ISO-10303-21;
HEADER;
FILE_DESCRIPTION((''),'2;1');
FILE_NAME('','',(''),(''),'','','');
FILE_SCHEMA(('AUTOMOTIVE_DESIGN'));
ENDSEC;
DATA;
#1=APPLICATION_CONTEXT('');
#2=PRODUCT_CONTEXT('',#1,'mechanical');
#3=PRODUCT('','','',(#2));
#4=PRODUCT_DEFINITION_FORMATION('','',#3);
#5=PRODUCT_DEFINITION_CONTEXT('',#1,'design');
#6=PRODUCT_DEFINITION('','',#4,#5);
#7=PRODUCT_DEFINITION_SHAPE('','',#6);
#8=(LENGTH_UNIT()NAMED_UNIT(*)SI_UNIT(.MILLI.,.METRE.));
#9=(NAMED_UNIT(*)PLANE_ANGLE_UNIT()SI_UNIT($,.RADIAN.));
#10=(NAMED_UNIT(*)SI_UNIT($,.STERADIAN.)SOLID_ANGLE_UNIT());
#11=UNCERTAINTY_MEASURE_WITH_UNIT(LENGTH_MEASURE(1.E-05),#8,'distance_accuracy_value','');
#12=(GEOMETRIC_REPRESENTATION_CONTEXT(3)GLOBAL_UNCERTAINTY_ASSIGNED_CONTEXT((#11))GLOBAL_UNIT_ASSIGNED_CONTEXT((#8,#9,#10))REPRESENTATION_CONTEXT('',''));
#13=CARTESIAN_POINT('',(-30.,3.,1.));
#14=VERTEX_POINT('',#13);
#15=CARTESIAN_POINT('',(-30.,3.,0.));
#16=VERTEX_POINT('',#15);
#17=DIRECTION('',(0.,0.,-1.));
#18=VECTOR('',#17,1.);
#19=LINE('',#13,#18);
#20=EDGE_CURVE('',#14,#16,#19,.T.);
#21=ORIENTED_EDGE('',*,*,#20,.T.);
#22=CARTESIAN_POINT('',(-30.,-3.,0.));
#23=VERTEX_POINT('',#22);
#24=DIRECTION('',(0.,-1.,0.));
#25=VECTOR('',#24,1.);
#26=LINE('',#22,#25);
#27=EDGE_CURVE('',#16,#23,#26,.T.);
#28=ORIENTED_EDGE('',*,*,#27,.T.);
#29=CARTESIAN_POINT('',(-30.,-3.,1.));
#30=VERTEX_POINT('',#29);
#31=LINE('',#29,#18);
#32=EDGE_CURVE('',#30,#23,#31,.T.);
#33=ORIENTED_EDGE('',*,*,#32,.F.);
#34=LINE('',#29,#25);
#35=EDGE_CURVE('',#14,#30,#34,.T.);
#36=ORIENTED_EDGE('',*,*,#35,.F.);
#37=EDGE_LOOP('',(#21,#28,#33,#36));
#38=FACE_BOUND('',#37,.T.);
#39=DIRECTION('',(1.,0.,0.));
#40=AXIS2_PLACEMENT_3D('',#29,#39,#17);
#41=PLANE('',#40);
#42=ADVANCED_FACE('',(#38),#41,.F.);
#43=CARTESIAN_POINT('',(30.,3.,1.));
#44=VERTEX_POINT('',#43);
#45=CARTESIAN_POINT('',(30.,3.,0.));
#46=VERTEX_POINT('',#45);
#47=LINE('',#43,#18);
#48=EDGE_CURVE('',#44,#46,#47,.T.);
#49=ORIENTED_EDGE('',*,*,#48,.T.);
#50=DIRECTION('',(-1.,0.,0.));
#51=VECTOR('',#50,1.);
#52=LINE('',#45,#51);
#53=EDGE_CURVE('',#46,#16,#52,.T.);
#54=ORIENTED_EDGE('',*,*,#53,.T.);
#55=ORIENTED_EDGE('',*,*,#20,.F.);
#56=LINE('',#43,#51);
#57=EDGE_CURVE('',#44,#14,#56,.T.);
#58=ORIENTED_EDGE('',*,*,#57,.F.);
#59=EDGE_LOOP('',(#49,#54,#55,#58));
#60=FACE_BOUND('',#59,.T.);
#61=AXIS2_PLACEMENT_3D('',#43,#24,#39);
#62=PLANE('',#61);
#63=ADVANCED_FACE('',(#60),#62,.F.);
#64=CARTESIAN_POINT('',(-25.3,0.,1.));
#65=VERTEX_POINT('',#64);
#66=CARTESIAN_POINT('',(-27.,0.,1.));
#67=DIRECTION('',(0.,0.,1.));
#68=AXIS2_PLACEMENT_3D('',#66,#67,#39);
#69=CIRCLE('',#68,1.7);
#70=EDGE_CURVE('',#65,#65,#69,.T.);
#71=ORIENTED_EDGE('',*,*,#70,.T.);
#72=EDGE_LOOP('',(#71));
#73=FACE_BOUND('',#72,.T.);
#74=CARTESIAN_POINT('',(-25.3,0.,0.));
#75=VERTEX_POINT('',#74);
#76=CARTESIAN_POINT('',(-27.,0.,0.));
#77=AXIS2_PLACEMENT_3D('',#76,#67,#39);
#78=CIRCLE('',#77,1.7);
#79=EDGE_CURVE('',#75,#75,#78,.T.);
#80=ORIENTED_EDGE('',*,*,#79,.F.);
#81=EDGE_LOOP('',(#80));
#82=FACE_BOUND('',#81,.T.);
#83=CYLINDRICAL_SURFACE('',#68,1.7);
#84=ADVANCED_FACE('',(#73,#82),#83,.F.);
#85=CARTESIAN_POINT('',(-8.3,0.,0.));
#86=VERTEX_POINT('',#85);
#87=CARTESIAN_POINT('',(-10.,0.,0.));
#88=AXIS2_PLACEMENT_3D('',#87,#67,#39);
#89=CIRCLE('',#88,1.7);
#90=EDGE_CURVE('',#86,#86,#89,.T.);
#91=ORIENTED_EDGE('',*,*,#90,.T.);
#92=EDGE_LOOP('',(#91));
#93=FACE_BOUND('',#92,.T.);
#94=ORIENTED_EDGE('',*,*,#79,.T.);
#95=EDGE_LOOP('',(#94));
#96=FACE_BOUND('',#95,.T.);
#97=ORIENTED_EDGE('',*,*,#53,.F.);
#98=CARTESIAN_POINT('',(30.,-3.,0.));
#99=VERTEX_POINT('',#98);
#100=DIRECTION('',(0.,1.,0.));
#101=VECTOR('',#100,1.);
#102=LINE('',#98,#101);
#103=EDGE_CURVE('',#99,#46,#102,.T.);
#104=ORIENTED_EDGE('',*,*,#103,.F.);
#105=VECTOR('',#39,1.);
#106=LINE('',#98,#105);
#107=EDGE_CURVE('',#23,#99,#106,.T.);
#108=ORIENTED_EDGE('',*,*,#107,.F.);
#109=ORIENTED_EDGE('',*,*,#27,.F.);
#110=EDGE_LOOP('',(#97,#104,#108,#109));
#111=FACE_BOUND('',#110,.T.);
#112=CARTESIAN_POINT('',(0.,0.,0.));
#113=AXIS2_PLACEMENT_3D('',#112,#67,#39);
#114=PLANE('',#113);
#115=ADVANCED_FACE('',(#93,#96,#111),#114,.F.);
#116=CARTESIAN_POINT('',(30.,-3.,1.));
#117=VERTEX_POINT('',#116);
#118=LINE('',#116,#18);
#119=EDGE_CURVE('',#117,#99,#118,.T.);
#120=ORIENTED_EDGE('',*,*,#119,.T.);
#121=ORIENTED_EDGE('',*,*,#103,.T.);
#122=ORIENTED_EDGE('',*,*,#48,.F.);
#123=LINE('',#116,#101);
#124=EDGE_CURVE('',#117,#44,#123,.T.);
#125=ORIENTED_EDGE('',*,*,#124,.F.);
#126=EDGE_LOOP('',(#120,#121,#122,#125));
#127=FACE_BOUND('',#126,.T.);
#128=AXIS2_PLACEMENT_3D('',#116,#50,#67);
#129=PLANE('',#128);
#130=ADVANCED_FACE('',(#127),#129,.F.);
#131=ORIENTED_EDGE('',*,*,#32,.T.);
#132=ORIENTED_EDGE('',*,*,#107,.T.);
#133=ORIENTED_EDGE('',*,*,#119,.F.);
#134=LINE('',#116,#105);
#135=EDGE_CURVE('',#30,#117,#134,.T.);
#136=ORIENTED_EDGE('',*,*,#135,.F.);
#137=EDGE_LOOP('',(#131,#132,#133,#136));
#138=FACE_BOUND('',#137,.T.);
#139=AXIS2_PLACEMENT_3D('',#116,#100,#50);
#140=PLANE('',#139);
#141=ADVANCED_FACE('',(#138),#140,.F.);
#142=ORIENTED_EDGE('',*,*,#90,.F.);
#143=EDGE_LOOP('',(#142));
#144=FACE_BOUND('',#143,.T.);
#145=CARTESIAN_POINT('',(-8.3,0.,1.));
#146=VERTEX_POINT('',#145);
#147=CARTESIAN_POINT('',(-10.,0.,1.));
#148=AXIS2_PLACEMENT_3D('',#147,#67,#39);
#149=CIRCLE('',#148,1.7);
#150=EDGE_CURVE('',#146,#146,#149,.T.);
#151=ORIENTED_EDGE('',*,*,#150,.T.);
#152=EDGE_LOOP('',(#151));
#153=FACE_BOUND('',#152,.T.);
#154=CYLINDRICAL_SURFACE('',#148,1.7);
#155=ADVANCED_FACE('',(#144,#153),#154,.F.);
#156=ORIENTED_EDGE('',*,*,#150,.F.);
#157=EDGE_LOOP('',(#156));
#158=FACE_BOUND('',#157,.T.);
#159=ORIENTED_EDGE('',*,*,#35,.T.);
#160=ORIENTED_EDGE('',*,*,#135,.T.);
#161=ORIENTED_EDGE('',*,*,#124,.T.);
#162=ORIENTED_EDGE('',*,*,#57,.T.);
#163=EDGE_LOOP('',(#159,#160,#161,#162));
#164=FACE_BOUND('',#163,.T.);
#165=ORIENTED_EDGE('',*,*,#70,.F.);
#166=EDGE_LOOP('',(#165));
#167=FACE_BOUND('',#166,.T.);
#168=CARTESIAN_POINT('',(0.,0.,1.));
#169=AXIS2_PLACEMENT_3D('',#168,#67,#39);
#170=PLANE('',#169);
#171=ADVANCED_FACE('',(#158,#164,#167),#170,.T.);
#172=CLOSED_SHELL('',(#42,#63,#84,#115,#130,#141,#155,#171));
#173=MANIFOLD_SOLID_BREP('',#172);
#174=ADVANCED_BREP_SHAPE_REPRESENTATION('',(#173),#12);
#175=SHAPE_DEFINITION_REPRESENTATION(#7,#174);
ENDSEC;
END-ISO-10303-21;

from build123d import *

# Parameters (mm, degrees)
SKETCH1_W            = 60
SKETCH1_H            = 6
BOSS_EXTRUDE1_DEPTH  = 1
M3_CLEARANCE_HOLE1_D = 3.4


with BuildPart() as part:
    # Sketch1 → Boss-Extrude1 (new body)
    with BuildSketch(Plane.XY):
        Rectangle(SKETCH1_W, SKETCH1_H)
    extrude(amount=BOSS_EXTRUDE1_DEPTH)

    # M3 Clearance Hole1 (through all)
    with Locations(Plane.XY.offset(1)):
        with Locations((-27, 0), (-10, 0)):
            Hole(M3_CLEARANCE_HOLE1_D / 2)


solid = part.part
